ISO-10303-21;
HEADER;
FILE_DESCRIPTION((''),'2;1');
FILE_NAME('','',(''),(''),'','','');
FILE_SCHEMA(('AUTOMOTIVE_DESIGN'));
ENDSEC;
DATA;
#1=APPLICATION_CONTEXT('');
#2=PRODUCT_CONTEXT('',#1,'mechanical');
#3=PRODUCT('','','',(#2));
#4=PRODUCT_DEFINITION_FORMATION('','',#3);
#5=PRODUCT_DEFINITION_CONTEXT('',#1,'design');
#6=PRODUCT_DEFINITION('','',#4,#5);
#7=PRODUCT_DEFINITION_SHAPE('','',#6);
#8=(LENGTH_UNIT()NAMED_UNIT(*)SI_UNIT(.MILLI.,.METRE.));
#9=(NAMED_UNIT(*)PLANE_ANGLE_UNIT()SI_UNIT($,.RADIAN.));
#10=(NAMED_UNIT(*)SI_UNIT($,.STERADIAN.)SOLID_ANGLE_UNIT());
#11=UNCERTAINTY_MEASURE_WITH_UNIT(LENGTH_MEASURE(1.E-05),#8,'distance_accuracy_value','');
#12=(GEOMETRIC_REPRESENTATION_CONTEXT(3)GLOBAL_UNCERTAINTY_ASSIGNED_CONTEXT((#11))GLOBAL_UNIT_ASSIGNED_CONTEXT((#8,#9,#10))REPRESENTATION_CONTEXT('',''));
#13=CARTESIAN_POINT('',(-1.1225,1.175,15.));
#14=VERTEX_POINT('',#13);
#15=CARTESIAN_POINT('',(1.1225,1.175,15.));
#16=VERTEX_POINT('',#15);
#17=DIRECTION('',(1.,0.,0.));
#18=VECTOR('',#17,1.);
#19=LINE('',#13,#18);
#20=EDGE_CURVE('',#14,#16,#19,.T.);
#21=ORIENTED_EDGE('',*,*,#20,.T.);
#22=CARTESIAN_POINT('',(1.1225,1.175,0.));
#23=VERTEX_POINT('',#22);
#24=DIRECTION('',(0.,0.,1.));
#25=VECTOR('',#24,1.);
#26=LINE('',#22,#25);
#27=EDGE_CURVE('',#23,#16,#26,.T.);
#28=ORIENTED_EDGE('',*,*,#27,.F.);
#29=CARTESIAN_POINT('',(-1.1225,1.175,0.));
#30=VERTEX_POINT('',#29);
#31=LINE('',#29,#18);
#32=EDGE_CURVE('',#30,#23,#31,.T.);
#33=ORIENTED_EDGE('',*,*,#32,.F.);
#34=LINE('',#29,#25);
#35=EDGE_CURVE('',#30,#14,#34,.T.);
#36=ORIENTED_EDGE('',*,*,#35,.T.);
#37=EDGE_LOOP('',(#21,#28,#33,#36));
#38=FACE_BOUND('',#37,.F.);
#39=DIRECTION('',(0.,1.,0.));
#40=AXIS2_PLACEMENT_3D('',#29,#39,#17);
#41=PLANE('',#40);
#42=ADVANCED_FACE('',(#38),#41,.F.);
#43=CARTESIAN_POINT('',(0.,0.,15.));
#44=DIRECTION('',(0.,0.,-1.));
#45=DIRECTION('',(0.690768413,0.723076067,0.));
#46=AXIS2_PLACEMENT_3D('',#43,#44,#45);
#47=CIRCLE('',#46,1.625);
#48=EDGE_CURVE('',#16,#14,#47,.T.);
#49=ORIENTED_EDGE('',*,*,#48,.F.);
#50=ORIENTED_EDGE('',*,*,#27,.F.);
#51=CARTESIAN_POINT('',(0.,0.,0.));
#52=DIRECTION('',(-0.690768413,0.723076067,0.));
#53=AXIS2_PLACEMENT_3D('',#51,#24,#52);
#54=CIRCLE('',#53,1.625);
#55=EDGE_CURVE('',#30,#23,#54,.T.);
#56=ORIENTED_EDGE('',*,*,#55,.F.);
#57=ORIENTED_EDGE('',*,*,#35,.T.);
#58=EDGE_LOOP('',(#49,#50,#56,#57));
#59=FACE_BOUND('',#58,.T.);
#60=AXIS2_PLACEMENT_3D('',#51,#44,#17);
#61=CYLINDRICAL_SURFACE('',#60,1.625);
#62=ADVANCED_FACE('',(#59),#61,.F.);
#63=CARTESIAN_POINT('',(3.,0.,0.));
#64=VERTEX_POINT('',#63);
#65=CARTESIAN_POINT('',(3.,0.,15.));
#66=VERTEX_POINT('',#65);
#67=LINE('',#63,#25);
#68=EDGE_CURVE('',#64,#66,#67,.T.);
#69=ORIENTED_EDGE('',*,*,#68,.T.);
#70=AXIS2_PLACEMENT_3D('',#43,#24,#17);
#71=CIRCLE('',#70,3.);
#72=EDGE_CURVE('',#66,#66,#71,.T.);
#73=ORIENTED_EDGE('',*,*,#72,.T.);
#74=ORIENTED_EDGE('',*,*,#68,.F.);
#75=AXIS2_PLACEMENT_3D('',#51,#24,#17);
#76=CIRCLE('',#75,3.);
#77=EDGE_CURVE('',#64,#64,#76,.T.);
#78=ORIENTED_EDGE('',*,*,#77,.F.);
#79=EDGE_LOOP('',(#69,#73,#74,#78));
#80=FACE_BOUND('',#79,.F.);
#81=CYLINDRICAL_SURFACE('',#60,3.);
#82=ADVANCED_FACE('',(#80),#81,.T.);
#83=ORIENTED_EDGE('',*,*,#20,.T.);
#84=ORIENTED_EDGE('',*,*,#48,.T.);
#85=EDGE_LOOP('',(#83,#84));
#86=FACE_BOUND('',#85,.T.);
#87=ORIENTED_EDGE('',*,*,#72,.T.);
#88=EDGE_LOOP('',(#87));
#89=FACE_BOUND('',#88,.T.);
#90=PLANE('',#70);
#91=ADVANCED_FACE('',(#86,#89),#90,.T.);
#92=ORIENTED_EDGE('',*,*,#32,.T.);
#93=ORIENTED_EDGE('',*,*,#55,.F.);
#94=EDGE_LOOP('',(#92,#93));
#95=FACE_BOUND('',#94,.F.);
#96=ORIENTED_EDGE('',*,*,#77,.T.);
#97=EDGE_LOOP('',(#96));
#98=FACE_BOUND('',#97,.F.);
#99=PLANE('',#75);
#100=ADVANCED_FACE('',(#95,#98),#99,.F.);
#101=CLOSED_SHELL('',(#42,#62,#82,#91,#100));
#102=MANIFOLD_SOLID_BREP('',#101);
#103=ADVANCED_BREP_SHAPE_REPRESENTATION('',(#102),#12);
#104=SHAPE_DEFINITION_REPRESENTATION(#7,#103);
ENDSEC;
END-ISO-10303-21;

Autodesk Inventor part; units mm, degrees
ref_plane "YZ Plane" through (0, 0, 0) normal (1, 0, 0) x (0, 1, 0)
ref_plane "XZ Plane" through (0, 0, 0) normal (0, 1, 0) x (-1, 0, 0)
ref_plane "XY Plane" through (0, 0, 0) normal (0, 0, 1) x (1, 0, 0)
sketch "Boceto1" plane through (0, 0, 0) normal (0, 0, 1) x (1, 0, 0)
  circle A0 centre (0, 0) radius 3
  circle A1 centre (0, 0) radius 1.625
  line L0 (-1.1225, 1.175) -> (1.1225, 1.175)
  dimension "d0" = 6
  dimension "d1" = 3.25
  dimension "d2" = 2.8
extrude "Extrusión1" add sketch "Boceto1" along normal blind 15 contours A0 | L0 A1 picked at (-0.2807, 1.2466)
properties part number "extensor_rotor"
